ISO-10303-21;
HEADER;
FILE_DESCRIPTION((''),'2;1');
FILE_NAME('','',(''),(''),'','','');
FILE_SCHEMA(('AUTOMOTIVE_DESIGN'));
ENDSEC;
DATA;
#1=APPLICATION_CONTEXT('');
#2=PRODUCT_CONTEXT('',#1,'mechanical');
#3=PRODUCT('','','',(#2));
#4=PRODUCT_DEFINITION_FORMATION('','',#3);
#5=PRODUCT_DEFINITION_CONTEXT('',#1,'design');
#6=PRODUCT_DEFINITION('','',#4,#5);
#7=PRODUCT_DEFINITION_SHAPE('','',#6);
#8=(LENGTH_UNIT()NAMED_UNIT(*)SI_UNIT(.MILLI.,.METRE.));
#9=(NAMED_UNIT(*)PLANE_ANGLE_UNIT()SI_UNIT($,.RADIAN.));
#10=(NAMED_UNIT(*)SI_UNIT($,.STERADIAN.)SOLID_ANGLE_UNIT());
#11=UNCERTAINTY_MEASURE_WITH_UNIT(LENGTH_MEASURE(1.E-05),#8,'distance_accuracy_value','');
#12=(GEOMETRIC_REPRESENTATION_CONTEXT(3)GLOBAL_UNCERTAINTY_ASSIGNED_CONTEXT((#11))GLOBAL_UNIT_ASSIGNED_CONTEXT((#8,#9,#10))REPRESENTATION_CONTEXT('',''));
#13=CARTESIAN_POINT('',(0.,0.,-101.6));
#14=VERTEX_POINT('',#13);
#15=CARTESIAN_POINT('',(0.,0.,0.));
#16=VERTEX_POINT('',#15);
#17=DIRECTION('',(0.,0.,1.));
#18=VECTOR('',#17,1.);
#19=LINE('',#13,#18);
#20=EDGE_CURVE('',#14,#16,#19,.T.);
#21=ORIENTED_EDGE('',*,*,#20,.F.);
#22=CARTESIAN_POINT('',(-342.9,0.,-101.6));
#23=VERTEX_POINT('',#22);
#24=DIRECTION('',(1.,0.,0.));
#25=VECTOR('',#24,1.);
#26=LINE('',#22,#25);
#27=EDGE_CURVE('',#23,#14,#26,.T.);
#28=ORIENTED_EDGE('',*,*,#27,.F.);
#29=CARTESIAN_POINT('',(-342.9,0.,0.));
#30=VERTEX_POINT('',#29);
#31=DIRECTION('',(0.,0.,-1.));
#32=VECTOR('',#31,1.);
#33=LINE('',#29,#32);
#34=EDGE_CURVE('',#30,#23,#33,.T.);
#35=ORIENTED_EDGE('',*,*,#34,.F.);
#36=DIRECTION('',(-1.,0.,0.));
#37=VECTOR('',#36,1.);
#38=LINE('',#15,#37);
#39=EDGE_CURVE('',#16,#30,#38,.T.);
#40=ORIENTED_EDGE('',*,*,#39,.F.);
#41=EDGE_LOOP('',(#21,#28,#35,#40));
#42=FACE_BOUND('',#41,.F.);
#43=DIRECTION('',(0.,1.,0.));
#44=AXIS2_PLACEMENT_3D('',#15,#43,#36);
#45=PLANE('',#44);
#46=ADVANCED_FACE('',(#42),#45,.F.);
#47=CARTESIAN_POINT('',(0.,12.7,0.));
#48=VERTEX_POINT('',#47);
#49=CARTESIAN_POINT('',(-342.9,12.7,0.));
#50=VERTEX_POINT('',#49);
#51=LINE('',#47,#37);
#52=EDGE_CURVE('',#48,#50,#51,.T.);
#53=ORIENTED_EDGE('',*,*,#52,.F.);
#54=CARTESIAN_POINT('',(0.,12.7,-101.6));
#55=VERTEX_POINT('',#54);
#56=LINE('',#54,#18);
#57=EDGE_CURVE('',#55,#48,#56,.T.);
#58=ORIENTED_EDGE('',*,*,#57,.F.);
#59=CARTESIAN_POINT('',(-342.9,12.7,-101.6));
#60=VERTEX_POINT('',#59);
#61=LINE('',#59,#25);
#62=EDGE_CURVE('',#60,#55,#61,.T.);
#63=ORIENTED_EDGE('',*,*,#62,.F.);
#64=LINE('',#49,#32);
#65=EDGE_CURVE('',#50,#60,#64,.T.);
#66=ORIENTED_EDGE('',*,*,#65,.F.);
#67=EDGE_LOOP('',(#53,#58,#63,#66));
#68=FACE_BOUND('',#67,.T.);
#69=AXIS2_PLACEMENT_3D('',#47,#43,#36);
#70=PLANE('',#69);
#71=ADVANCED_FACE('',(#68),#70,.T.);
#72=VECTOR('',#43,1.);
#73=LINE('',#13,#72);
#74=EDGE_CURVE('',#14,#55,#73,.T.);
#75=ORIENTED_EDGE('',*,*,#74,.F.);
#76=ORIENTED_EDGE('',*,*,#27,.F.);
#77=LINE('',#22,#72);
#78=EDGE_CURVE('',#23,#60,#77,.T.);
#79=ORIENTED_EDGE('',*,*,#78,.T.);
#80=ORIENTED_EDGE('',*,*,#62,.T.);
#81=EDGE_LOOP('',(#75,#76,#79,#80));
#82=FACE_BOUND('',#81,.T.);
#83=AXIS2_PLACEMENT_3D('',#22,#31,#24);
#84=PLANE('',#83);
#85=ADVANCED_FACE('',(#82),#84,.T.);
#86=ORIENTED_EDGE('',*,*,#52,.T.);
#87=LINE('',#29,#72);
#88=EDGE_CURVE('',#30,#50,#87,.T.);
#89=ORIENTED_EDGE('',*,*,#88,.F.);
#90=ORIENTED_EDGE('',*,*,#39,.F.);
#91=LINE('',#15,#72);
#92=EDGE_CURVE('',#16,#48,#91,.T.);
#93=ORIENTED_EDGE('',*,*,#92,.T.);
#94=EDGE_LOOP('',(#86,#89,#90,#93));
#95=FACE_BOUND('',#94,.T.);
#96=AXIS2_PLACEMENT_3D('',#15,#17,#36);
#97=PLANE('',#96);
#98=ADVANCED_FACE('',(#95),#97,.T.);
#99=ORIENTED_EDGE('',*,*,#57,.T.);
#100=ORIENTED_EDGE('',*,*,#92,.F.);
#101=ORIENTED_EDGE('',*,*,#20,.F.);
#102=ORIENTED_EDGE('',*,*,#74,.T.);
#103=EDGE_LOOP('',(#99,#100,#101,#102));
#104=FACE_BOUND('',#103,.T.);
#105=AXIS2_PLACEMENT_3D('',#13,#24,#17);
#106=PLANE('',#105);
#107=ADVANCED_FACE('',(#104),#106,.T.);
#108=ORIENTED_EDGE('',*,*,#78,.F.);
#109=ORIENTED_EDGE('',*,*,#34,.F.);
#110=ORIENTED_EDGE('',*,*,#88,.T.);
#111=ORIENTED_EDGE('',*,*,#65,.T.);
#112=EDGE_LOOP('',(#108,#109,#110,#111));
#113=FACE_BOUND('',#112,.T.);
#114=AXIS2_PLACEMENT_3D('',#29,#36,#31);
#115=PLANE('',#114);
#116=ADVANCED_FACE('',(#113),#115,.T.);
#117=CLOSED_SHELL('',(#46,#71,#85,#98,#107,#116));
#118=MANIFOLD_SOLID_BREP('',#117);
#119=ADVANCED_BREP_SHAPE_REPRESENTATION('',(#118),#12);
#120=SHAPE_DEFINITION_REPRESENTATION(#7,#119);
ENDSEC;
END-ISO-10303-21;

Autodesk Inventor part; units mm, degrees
ref_plane "YZ Plane" through (0, 0, 0) normal (1, 0, 0) x (0, 1, 0)
ref_plane "XZ Plane" through (0, 0, 0) normal (0, 1, 0) x (-1, 0, 0)
ref_plane "XY Plane" through (0, 0, 0) normal (0, 0, 1) x (1, 0, 0)
sketch "Sketch1" plane through (0, 0, 0) normal (0, 1, 0) x (-1, 0, 0)
  line L0 (0, 0) -> (342.9, 0)
  line L1 (342.9, 0) -> (342.9, -101.6)
  line L2 (342.9, -101.6) -> (0, -101.6)
  line L3 (0, -101.6) -> (0, 0)
  dimension "d0" = 342.9
  dimension "d1" = 101.6
extrude "Extrusion1" add sketch "Sketch1" along normal blind 12.7
properties part number "Flat Section" material "Wood (Oak)"
